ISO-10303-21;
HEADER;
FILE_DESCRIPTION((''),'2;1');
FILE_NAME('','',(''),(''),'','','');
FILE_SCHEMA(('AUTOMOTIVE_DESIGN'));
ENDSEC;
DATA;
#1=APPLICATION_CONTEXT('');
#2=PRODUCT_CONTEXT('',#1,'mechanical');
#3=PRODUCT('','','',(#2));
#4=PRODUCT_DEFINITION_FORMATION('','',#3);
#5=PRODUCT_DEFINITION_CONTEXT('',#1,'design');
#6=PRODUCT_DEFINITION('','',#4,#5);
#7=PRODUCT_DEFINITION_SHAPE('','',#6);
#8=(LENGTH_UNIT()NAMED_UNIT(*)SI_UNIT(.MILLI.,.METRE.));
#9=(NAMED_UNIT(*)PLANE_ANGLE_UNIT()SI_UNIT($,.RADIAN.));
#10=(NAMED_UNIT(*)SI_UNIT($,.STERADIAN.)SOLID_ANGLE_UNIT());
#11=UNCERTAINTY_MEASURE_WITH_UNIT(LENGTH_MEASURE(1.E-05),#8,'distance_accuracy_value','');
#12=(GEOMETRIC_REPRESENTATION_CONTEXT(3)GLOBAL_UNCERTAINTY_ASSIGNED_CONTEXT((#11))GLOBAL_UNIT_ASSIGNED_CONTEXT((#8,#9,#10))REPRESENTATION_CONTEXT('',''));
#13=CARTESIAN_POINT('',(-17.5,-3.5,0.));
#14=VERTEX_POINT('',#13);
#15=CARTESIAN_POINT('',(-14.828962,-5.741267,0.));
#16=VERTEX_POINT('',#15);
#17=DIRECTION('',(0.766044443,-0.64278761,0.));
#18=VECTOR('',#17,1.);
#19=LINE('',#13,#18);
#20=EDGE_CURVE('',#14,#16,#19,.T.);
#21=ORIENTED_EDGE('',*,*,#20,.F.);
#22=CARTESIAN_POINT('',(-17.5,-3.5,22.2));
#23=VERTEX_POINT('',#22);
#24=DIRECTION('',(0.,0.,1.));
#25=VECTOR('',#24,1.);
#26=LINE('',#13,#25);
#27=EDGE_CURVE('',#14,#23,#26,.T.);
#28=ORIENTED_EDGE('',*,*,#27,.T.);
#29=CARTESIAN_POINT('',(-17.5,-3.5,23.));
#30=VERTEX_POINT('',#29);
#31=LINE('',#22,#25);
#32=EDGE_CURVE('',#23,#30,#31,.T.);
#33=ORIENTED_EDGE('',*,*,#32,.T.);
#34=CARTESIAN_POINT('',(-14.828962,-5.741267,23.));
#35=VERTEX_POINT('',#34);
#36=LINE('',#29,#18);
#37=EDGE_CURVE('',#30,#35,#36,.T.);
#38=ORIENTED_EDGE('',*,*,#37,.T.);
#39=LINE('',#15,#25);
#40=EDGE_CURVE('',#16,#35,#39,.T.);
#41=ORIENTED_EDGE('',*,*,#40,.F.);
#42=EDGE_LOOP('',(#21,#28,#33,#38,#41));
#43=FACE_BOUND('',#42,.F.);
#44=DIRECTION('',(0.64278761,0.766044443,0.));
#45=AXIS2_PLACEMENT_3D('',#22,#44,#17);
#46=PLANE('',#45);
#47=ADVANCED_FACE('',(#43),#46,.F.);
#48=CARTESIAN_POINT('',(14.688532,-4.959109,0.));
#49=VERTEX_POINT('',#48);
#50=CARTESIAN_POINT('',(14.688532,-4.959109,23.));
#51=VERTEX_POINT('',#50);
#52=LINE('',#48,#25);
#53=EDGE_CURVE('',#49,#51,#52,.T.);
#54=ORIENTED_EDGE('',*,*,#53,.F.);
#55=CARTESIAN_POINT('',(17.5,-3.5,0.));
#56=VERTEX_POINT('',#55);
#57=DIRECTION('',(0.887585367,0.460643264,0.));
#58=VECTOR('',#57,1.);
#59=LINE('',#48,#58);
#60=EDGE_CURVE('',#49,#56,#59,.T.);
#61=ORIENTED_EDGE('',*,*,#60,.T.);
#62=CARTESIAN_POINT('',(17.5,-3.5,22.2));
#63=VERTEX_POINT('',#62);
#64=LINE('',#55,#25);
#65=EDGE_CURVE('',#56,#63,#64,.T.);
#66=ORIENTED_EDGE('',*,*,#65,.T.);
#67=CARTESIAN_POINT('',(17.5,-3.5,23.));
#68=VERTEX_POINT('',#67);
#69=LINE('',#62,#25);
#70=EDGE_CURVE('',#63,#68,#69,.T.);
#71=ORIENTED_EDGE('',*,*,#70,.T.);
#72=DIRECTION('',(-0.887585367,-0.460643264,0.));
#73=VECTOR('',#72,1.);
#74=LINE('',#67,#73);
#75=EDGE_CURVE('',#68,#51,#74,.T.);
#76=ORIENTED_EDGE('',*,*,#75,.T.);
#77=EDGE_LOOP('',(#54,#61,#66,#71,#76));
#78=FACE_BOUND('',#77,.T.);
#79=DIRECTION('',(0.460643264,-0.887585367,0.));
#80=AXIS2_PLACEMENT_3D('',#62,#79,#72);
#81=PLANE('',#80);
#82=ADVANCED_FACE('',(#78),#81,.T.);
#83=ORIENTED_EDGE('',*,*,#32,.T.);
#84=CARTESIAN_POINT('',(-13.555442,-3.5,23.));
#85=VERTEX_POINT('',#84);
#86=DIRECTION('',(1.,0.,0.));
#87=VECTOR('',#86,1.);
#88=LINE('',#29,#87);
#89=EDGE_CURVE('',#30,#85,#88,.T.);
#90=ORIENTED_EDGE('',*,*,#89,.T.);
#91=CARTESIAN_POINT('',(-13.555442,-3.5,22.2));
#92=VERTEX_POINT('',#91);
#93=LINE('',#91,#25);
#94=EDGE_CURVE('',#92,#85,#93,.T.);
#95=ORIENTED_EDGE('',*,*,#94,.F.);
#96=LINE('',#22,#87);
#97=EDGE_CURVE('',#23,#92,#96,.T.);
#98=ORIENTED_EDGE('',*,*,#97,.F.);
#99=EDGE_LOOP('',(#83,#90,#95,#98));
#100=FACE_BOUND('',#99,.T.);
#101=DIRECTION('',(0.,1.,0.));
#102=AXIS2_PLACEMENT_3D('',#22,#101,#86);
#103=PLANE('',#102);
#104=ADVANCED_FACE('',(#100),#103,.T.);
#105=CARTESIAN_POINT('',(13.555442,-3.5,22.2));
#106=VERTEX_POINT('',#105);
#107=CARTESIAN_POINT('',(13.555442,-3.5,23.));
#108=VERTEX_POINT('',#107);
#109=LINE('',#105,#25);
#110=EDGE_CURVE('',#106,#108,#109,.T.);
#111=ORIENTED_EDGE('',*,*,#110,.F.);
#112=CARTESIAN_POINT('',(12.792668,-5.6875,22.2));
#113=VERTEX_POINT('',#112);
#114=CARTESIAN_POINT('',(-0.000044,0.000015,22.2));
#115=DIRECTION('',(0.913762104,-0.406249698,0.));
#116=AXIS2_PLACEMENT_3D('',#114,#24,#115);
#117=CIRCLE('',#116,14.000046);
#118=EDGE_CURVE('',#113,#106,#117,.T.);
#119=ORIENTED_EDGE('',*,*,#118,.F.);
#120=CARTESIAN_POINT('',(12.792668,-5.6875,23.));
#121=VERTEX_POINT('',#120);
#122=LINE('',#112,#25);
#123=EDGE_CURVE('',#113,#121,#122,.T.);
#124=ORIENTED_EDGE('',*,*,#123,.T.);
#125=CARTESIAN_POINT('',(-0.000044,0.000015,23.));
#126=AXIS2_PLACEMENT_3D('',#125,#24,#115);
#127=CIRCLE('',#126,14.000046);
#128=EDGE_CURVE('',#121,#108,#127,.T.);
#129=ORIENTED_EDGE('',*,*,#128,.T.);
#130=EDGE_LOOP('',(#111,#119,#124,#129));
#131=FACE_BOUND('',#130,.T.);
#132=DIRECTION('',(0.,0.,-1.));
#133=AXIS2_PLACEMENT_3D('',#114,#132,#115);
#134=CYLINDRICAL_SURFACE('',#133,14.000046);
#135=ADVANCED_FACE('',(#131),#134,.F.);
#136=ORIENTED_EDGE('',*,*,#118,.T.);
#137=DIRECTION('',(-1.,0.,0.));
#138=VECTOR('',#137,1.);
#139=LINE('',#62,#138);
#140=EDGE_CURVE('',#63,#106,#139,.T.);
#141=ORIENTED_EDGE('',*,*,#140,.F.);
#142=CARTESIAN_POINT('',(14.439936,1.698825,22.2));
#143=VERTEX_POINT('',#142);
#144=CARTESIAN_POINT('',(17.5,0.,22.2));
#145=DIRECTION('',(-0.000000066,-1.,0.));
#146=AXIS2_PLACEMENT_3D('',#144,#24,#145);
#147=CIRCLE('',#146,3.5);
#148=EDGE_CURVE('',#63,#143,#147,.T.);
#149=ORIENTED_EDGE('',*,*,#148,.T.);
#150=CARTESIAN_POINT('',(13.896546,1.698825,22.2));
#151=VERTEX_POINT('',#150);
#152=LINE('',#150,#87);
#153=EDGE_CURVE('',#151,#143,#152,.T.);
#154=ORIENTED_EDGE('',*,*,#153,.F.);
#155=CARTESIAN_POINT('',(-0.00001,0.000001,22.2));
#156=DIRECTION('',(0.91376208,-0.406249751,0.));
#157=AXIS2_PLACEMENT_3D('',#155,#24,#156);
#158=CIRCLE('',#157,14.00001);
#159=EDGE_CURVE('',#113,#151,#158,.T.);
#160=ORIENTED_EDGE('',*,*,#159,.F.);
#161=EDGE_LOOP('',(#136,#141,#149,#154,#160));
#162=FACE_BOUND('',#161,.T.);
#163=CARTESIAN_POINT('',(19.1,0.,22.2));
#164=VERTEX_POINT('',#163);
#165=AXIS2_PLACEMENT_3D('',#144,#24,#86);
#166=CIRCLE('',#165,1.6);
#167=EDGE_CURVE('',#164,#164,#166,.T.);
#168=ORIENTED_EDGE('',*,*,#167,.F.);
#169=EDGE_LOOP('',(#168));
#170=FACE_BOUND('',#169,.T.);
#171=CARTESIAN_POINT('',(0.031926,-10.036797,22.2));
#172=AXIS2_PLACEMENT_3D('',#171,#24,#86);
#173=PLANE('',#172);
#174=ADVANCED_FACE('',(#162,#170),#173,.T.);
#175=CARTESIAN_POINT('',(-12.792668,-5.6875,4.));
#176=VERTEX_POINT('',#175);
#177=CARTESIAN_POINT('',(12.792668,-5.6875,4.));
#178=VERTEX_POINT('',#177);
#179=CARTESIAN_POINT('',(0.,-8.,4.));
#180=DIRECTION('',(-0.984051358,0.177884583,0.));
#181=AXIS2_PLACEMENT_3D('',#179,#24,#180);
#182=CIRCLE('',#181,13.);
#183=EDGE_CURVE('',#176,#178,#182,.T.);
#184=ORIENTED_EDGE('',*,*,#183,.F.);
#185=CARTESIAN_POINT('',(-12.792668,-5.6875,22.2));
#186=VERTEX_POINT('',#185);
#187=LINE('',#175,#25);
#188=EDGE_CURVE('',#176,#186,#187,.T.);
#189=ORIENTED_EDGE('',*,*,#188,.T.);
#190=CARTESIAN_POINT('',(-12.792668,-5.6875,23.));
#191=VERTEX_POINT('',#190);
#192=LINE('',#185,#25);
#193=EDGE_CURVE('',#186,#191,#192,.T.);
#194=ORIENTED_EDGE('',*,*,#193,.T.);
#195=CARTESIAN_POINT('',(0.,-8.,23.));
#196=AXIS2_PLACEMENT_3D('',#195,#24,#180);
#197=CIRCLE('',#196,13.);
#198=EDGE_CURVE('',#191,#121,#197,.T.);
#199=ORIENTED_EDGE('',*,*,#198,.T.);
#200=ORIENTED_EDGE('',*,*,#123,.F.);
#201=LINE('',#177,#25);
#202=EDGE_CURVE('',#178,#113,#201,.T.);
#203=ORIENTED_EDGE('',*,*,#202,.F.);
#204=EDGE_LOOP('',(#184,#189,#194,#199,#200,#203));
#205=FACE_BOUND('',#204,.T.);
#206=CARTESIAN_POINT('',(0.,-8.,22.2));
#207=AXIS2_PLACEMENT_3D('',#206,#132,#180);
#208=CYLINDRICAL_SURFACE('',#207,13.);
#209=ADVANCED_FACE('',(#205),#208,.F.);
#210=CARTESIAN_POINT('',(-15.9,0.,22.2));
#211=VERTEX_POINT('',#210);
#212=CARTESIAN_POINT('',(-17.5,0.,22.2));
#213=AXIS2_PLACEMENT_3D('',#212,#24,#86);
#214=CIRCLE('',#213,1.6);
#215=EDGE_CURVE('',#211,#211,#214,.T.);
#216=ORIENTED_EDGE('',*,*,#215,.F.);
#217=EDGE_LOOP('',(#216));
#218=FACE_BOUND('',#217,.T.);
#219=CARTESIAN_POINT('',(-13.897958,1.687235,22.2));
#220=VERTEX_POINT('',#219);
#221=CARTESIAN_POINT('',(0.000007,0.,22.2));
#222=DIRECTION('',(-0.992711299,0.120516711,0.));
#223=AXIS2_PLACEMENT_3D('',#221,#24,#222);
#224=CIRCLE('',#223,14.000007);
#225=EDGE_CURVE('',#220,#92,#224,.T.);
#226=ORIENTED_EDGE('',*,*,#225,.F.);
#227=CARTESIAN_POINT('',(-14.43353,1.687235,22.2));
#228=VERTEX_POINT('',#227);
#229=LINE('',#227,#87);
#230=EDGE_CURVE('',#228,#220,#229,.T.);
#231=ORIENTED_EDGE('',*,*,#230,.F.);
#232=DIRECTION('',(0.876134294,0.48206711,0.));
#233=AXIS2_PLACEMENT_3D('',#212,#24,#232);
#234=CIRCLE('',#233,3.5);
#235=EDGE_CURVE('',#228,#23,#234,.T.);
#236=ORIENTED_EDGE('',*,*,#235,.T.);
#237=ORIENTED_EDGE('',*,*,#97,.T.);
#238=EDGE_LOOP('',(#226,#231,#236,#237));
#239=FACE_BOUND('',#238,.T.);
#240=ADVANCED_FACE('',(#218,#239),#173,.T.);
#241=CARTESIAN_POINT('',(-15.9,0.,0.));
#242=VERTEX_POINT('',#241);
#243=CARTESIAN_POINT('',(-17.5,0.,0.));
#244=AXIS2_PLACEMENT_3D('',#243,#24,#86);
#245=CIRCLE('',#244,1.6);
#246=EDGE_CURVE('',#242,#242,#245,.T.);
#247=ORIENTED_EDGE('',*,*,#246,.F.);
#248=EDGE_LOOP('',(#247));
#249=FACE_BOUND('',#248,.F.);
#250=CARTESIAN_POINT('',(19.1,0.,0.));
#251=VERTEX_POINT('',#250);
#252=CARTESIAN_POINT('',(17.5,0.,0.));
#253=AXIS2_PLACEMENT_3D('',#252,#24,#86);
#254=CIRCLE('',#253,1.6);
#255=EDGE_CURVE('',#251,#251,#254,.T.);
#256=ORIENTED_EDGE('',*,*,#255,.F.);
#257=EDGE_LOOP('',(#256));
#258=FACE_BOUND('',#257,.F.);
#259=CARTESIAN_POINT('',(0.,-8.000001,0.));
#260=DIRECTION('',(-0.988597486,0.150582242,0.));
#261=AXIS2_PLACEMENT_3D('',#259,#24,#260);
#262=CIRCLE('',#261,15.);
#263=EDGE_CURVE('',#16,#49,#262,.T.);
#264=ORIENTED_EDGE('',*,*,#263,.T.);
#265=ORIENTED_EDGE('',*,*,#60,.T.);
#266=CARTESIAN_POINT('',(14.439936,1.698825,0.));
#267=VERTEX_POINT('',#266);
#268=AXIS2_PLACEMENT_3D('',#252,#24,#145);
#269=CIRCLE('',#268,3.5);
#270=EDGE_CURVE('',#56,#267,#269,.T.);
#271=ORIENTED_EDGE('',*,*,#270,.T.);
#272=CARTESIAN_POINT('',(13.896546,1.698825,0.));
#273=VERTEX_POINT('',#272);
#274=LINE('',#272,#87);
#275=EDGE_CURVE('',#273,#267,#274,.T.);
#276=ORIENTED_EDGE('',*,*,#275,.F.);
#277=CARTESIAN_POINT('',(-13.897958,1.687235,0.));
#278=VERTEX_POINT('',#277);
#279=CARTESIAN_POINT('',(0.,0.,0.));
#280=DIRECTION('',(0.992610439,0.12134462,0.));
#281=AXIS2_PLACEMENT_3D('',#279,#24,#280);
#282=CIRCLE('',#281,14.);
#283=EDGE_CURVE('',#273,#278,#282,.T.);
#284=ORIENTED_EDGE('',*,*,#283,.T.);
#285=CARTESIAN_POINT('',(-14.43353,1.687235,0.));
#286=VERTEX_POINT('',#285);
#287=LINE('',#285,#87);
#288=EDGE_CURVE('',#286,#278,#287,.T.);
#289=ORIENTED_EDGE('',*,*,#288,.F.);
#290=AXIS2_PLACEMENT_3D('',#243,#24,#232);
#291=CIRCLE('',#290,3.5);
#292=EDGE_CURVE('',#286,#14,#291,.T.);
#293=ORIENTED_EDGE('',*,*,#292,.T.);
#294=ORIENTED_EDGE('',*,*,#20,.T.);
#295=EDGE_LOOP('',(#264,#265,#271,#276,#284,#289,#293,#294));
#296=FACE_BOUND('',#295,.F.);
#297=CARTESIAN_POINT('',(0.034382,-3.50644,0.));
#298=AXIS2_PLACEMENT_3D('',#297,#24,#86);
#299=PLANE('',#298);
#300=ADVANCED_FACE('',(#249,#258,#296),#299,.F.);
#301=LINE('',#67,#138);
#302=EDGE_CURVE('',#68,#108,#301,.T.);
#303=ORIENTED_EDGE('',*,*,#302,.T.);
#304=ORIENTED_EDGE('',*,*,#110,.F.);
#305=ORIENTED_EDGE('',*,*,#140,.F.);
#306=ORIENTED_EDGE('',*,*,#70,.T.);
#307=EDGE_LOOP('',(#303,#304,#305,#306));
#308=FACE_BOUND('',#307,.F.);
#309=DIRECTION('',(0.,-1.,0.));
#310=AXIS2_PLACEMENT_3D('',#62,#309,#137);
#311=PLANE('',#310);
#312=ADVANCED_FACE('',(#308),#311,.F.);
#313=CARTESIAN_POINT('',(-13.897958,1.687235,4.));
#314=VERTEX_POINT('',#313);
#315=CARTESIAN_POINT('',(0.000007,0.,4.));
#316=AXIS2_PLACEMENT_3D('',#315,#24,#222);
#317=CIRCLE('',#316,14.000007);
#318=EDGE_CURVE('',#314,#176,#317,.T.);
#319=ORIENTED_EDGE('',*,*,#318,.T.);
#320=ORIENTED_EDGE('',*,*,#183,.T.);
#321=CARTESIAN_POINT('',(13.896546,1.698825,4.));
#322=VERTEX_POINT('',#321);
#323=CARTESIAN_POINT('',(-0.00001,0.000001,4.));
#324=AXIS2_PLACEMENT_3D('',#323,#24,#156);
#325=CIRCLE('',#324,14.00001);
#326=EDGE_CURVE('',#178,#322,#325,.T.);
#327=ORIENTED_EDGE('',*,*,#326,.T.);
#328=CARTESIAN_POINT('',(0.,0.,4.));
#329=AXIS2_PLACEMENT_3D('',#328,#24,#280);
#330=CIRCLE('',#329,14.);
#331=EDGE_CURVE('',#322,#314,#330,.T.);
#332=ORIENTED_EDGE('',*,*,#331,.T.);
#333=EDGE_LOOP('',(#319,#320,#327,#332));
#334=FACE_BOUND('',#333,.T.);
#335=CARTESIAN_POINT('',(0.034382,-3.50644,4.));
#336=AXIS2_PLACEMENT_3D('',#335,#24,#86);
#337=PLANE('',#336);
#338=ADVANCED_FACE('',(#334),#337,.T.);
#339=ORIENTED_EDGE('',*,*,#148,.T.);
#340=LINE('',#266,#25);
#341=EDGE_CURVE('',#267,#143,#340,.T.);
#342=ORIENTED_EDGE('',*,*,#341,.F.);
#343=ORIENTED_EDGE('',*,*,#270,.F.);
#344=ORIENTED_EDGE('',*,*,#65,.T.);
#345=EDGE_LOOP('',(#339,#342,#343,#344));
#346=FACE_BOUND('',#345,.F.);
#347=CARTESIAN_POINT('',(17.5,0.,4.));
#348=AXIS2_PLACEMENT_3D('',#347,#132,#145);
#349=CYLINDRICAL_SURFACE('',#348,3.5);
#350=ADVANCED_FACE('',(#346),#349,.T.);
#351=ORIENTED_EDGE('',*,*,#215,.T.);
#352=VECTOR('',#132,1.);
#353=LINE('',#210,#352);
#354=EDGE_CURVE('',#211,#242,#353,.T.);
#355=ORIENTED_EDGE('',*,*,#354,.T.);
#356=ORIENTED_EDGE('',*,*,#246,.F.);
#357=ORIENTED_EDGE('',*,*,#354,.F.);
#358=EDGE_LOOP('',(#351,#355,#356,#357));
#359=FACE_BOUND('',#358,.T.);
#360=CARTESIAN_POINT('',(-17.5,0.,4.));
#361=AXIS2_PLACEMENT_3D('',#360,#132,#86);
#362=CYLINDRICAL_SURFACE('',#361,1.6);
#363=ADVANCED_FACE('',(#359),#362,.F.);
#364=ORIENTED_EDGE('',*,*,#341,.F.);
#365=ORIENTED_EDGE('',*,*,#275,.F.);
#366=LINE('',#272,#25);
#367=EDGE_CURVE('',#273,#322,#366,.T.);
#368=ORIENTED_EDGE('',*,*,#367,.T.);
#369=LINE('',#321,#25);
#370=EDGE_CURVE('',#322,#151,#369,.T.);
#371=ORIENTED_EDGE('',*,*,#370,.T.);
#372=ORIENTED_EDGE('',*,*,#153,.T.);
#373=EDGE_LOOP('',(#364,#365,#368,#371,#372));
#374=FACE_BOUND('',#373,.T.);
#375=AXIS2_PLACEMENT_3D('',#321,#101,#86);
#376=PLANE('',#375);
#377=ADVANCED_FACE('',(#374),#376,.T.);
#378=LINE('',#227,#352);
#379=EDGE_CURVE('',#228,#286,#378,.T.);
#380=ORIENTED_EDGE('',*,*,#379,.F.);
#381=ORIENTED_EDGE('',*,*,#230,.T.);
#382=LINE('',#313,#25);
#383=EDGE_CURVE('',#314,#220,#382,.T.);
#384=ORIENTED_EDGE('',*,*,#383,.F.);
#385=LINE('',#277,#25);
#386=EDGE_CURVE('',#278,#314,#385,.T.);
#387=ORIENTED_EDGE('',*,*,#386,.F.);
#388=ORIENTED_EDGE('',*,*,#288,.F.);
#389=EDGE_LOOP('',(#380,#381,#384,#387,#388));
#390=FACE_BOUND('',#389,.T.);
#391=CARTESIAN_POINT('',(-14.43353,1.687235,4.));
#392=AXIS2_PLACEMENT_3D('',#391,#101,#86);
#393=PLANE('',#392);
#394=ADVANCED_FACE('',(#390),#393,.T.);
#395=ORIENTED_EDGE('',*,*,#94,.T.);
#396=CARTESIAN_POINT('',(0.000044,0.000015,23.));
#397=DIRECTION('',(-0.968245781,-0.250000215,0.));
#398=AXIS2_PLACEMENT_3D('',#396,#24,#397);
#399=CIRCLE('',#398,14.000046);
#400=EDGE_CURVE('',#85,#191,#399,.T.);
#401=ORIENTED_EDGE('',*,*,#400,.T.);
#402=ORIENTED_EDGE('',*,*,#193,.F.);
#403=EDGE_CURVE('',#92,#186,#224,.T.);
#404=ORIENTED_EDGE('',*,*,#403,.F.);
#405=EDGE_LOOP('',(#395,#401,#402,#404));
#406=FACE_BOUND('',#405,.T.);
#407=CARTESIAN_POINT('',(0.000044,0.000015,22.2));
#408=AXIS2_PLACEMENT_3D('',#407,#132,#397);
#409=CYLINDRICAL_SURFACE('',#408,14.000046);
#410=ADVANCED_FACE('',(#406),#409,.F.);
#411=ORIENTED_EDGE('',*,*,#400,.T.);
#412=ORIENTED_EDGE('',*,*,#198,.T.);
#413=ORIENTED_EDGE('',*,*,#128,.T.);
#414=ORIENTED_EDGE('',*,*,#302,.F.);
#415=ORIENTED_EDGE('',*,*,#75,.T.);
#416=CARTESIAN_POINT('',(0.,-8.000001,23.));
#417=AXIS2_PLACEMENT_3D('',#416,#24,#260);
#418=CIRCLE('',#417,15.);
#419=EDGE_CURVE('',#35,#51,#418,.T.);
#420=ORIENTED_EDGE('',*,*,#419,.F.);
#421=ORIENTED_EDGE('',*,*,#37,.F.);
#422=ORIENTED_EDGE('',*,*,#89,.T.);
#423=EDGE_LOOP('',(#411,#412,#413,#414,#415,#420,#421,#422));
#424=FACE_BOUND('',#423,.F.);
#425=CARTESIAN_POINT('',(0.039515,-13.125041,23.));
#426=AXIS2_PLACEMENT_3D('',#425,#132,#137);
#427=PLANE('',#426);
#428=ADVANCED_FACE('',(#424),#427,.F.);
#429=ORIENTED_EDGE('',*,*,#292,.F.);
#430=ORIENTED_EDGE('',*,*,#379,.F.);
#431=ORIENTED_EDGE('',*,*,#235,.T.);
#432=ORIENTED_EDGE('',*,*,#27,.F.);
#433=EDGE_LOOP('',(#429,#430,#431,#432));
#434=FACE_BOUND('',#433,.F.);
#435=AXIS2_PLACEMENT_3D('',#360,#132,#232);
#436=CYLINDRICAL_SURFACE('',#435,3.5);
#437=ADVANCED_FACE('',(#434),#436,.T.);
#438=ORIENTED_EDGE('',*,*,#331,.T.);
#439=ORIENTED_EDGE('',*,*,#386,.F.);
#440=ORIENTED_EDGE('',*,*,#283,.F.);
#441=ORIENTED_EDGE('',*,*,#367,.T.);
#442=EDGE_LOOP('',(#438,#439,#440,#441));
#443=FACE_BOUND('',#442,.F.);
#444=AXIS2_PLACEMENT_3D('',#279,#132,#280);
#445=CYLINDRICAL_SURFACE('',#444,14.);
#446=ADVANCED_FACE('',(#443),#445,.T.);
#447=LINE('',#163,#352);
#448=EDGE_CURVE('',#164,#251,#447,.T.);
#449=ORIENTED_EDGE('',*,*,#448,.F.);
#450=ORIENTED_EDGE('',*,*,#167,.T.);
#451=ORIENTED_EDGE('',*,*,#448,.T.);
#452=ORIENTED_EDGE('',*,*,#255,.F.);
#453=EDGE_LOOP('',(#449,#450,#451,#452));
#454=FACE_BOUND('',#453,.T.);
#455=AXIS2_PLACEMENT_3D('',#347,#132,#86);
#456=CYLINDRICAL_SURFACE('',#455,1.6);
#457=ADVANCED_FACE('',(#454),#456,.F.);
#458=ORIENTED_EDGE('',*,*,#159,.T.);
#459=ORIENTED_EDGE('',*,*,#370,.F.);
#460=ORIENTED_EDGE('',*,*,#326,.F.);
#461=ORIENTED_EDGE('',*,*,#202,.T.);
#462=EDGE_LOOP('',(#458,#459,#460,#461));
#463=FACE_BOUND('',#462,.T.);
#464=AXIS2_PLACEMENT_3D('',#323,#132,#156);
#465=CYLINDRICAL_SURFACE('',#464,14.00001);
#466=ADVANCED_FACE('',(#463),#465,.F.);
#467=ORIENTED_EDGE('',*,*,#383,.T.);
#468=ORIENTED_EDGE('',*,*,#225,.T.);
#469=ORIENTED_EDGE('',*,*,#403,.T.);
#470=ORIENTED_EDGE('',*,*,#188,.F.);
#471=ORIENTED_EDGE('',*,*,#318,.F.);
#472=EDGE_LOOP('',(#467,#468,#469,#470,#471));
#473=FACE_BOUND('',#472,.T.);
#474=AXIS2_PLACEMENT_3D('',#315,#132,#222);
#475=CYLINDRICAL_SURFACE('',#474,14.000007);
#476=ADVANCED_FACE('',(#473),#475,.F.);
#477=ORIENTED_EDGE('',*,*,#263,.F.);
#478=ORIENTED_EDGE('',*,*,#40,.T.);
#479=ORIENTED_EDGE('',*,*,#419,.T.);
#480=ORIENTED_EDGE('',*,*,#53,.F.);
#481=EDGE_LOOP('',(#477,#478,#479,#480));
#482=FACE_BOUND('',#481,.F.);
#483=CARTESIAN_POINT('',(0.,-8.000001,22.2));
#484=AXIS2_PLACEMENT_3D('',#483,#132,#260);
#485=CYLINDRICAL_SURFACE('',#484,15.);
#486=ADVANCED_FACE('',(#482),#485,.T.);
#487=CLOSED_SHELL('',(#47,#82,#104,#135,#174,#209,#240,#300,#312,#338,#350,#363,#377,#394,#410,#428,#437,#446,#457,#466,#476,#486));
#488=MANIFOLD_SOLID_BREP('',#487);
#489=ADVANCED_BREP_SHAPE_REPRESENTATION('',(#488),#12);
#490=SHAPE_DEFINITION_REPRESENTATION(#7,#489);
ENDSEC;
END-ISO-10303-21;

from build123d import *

# Parameters (mm, degrees)
SKETCH_R     = 1.6
PAD_DEPTH    = 4
SKETCH002_R  = 1.6
PAD001_DEPTH = 18.2
PAD002_DEPTH = 0.8


with BuildPart() as part:
    # Sketch → Pad (new body)
    with BuildSketch(Plane.XY):
        with BuildLine():
            ThreePointArc((-14.43353, 1.687235), (-20.512916, 1.781106), (-17.5, -3.5))
            Line((-17.5, -3.5), (-14.828962, -5.741267))
            ThreePointArc((-14.828962, -5.741267), (0.397332, -22.994737), (14.688532, -4.959109))
            Line((14.688532, -4.959109), (17.5, -3.5))
            ThreePointArc((17.5, -3.5), (20.51628, 1.775403), (14.439936, 1.698825))
            Line((13.896546, 1.698825), (14.439936, 1.698825))
            ThreePointArc((13.896546, 1.698825), (-0.005838, 13.999999), (-13.897958, 1.687235))
            Line((-14.43353, 1.687235), (-13.897958, 1.687235))
        make_face()
        with Locations((-17.5, 0)):
            Circle(SKETCH_R, mode=Mode.SUBTRACT)
        with Locations((17.5, 0)):
            Circle(SKETCH_R, mode=Mode.SUBTRACT)
    extrude(amount=PAD_DEPTH)

    # Sketch002 (on Face12 of Pad) → Pad001 (join)
    with BuildSketch(Plane.XY.offset(4)):
        with BuildLine():
            ThreePointArc((-14.43353, 1.687235), (-20.512916, 1.781106), (-17.5, -3.5))
            Line((-17.5, -3.5), (-14.828962, -5.741267))
            ThreePointArc((-14.828962, -5.741267), (0.397332, -22.994737), (14.688532, -4.959109))
            Line((14.688532, -4.959109), (17.5, -3.5))
            ThreePointArc((17.5, -3.5), (20.51628, 1.775403), (14.439936, 1.698825))
            Line((13.896546, 1.698825), (14.439936, 1.698825))
            ThreePointArc((12.792668, -5.6875), (13.846226, -2.069304), (13.896546, 1.698825))
            ThreePointArc((-12.792668, -5.6875), (0, -21), (12.792668, -5.6875))
            ThreePointArc((-13.897958, 1.687235), (-13.845362, -2.075078), (-12.792668, -5.6875))
            Line((-14.43353, 1.687235), (-13.897958, 1.687235))
        make_face()
        with Locations((-17.5, 0)):
            Circle(SKETCH002_R, mode=Mode.SUBTRACT)
        with Locations((17.5, 0)):
            Circle(SKETCH002_R, mode=Mode.SUBTRACT)
    extrude(amount=PAD001_DEPTH)

    # Sketch003 (on Face15 of Pad001) → Pad002 (join)
    with BuildSketch(Plane.XY.offset(22.2)):
        with BuildLine():
            Line((-17.5, -3.5), (-13.555442, -3.5))
            ThreePointArc((-13.555442, -3.5), (-13.21938, -4.609555), (-12.792668, -5.6875))
            ThreePointArc((-12.792668, -5.6875), (0, -21), (12.792668, -5.6875))
            ThreePointArc((12.792668, -5.6875), (13.21938, -4.609555), (13.555442, -3.5))
            Line((17.5, -3.5), (13.555442, -3.5))
            Line((17.5, -3.5), (14.688532, -4.959109))
            ThreePointArc((-14.828962, -5.741267), (0.397332, -22.994737), (14.688532, -4.959109))
            Line((-17.5, -3.5), (-14.828962, -5.741267))
        make_face()
    extrude(amount=PAD002_DEPTH)


solid = part.part
